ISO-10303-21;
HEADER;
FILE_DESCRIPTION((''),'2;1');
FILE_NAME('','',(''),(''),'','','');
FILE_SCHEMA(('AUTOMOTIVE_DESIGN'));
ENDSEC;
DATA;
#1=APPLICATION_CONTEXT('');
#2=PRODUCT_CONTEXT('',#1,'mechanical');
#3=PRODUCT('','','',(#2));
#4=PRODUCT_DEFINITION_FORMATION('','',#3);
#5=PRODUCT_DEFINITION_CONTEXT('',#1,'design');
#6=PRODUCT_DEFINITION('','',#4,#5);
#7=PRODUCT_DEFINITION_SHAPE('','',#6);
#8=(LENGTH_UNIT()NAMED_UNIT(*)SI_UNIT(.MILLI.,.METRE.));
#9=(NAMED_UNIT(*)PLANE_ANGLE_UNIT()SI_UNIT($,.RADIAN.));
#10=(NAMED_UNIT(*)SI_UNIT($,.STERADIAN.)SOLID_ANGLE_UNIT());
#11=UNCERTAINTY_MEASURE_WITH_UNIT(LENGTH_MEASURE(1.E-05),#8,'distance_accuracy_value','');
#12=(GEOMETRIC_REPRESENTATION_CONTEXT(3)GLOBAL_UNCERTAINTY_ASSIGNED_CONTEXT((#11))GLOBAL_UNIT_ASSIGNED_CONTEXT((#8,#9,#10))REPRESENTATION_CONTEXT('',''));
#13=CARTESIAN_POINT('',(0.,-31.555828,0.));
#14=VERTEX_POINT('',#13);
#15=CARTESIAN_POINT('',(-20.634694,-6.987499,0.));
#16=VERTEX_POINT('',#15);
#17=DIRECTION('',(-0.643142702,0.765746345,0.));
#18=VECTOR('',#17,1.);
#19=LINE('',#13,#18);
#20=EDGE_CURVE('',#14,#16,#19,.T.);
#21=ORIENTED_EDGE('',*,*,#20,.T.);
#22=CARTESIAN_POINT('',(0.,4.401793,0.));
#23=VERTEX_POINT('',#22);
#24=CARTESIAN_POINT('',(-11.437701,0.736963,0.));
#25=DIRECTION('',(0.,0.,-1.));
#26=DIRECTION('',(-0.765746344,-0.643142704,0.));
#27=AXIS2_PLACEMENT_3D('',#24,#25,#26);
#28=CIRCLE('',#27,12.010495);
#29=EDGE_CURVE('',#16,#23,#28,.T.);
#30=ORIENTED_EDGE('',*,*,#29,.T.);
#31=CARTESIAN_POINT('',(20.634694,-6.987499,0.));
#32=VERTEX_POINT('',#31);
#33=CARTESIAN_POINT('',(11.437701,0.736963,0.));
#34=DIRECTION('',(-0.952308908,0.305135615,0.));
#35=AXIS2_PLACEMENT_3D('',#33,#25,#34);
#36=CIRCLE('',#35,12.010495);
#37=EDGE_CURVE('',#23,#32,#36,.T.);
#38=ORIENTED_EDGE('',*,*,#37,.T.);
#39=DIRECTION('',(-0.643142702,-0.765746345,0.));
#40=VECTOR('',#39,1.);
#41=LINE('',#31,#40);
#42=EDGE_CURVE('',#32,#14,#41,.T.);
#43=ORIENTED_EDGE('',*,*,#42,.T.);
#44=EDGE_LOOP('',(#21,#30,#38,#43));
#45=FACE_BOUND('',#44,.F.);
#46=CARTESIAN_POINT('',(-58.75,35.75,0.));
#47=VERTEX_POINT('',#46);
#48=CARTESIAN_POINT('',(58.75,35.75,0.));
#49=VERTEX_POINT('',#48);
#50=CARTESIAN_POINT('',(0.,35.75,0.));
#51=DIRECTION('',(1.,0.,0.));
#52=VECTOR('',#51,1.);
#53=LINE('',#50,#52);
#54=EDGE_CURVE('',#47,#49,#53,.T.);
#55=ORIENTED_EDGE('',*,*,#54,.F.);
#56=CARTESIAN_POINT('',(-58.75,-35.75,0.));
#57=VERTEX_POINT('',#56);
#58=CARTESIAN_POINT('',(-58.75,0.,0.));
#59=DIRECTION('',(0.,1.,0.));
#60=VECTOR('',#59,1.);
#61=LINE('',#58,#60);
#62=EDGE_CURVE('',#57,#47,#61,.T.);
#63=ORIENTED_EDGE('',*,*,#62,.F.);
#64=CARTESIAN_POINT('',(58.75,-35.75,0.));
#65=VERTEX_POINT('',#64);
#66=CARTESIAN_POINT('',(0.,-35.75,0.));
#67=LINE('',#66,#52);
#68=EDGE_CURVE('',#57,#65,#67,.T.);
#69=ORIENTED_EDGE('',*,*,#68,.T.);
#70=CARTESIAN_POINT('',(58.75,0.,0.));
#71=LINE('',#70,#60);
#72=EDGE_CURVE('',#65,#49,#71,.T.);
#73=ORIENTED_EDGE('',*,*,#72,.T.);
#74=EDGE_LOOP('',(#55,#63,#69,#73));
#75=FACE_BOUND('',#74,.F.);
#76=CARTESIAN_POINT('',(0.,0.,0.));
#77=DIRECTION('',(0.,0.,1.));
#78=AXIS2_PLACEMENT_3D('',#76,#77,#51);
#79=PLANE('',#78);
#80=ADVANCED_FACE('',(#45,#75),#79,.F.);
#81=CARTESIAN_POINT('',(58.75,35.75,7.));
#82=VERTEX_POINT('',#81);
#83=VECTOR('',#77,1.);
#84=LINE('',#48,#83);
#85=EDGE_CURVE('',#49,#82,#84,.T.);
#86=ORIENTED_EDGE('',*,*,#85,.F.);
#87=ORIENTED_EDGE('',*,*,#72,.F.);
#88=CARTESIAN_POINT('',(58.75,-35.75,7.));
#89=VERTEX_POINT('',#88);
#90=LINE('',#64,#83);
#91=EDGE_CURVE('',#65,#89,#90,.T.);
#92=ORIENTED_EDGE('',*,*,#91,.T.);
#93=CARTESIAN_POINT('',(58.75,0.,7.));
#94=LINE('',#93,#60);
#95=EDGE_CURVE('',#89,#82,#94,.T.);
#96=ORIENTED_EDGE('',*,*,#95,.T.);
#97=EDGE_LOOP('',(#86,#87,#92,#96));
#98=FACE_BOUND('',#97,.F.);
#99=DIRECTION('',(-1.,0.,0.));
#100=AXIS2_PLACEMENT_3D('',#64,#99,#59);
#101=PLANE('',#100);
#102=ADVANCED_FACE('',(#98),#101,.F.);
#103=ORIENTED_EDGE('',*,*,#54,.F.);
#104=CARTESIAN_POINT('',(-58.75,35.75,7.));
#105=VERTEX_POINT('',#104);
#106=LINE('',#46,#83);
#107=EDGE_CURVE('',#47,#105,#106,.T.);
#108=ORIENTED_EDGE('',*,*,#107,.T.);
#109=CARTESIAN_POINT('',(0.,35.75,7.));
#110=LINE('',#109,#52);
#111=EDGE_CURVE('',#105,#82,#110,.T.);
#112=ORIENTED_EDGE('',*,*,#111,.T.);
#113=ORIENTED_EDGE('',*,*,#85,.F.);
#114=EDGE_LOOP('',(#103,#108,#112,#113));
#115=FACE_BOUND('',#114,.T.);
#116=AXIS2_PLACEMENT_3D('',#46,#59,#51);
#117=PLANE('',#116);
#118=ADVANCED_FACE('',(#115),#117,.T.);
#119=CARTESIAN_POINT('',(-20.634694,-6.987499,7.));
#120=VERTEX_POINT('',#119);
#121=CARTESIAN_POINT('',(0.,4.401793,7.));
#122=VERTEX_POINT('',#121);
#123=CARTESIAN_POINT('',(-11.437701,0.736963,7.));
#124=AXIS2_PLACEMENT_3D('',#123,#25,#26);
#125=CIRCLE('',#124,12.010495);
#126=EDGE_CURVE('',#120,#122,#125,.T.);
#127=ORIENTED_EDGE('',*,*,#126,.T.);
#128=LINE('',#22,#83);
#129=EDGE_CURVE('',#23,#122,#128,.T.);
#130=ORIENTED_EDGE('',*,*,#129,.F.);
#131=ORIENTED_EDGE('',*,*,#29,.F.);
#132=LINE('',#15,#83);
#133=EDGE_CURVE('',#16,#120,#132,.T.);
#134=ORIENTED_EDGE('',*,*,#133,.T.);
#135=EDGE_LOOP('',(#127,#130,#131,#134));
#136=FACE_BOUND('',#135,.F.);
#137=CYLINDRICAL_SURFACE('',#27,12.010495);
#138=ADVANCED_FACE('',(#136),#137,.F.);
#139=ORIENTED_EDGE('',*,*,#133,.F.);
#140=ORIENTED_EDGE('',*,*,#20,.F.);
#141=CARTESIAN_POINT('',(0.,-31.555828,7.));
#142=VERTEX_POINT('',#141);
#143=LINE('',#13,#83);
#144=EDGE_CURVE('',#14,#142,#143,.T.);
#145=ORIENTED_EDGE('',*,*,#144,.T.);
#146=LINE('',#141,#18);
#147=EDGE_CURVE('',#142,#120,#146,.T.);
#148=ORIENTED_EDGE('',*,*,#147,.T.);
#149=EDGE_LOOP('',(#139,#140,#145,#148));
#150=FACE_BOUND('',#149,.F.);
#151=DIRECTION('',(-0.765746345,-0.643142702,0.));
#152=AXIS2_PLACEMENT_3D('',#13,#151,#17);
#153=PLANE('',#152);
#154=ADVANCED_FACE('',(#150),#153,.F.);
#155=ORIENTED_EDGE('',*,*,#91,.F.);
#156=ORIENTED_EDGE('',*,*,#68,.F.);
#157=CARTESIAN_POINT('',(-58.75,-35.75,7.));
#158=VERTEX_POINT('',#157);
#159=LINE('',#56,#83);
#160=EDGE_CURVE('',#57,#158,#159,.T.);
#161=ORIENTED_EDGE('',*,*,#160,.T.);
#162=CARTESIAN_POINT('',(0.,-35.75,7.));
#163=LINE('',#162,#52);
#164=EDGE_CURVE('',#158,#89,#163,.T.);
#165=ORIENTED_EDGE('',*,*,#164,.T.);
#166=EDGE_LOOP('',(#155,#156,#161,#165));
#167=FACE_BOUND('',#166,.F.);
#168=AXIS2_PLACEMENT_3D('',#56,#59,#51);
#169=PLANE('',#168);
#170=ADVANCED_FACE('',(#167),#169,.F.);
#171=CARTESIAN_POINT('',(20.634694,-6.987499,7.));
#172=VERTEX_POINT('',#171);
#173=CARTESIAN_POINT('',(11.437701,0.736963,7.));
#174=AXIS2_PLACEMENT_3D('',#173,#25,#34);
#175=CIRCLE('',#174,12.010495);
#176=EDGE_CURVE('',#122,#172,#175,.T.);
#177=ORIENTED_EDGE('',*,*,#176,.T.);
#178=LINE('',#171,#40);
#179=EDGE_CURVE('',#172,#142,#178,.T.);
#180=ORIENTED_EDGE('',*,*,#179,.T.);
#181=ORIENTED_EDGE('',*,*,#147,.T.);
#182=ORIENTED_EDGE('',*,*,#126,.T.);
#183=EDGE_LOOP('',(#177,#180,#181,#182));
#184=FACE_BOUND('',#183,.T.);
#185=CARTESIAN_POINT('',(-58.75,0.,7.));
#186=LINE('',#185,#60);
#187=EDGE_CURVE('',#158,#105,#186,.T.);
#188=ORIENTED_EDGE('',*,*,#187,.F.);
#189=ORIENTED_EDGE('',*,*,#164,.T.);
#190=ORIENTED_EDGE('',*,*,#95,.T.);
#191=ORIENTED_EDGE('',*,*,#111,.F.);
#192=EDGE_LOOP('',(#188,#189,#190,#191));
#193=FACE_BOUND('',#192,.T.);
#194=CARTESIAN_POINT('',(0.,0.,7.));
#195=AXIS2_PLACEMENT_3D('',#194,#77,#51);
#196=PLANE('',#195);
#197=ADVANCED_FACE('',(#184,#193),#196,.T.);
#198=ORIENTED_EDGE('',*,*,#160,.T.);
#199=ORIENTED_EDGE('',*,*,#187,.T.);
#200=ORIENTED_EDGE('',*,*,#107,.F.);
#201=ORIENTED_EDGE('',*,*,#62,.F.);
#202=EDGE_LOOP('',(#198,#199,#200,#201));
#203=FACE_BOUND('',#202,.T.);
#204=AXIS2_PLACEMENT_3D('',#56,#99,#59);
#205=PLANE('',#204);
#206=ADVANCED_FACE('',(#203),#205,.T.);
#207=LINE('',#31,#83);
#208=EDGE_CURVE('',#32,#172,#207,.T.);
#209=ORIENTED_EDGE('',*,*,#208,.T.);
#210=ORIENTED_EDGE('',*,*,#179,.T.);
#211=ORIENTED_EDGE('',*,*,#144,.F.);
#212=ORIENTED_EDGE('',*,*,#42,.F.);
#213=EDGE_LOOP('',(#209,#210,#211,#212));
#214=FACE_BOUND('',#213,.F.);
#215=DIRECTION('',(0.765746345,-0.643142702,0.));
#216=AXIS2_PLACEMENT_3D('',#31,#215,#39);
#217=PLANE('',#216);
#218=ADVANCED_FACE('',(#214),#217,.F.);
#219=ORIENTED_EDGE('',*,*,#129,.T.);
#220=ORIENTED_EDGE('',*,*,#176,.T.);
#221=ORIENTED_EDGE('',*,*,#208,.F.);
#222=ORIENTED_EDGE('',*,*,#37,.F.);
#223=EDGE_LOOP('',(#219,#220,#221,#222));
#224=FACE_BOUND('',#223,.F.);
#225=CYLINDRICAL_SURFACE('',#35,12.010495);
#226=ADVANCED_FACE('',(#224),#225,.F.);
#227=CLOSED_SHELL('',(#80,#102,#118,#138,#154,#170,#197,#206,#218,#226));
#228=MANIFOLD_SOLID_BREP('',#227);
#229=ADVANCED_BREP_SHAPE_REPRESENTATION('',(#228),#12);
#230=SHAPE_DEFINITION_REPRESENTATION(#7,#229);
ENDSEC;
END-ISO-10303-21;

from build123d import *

# Parameters (mm, degrees)
F0_W     = 117.5
F0_H     = 71.5
F1_DEPTH = 7


with BuildPart() as f1:
    # F0 (on Top) → F1 (new body)
    with BuildSketch(Plane.XY):
        Rectangle(F0_W, F0_H)
        with BuildLine():
            Line((20.634694, -6.987499), (0, -31.555828))
            Line((0, -31.555828), (-20.634694, -6.987499))
            ThreePointArc((-20.634694, -6.987499), (-17.241509, 11.252086), (0, 4.401793))
            ThreePointArc((0, 4.401793), (17.241509, 11.252086), (20.634694, -6.987499))
        make_face(mode=Mode.SUBTRACT)
    extrude(amount=F1_DEPTH)


solid = f1.part
